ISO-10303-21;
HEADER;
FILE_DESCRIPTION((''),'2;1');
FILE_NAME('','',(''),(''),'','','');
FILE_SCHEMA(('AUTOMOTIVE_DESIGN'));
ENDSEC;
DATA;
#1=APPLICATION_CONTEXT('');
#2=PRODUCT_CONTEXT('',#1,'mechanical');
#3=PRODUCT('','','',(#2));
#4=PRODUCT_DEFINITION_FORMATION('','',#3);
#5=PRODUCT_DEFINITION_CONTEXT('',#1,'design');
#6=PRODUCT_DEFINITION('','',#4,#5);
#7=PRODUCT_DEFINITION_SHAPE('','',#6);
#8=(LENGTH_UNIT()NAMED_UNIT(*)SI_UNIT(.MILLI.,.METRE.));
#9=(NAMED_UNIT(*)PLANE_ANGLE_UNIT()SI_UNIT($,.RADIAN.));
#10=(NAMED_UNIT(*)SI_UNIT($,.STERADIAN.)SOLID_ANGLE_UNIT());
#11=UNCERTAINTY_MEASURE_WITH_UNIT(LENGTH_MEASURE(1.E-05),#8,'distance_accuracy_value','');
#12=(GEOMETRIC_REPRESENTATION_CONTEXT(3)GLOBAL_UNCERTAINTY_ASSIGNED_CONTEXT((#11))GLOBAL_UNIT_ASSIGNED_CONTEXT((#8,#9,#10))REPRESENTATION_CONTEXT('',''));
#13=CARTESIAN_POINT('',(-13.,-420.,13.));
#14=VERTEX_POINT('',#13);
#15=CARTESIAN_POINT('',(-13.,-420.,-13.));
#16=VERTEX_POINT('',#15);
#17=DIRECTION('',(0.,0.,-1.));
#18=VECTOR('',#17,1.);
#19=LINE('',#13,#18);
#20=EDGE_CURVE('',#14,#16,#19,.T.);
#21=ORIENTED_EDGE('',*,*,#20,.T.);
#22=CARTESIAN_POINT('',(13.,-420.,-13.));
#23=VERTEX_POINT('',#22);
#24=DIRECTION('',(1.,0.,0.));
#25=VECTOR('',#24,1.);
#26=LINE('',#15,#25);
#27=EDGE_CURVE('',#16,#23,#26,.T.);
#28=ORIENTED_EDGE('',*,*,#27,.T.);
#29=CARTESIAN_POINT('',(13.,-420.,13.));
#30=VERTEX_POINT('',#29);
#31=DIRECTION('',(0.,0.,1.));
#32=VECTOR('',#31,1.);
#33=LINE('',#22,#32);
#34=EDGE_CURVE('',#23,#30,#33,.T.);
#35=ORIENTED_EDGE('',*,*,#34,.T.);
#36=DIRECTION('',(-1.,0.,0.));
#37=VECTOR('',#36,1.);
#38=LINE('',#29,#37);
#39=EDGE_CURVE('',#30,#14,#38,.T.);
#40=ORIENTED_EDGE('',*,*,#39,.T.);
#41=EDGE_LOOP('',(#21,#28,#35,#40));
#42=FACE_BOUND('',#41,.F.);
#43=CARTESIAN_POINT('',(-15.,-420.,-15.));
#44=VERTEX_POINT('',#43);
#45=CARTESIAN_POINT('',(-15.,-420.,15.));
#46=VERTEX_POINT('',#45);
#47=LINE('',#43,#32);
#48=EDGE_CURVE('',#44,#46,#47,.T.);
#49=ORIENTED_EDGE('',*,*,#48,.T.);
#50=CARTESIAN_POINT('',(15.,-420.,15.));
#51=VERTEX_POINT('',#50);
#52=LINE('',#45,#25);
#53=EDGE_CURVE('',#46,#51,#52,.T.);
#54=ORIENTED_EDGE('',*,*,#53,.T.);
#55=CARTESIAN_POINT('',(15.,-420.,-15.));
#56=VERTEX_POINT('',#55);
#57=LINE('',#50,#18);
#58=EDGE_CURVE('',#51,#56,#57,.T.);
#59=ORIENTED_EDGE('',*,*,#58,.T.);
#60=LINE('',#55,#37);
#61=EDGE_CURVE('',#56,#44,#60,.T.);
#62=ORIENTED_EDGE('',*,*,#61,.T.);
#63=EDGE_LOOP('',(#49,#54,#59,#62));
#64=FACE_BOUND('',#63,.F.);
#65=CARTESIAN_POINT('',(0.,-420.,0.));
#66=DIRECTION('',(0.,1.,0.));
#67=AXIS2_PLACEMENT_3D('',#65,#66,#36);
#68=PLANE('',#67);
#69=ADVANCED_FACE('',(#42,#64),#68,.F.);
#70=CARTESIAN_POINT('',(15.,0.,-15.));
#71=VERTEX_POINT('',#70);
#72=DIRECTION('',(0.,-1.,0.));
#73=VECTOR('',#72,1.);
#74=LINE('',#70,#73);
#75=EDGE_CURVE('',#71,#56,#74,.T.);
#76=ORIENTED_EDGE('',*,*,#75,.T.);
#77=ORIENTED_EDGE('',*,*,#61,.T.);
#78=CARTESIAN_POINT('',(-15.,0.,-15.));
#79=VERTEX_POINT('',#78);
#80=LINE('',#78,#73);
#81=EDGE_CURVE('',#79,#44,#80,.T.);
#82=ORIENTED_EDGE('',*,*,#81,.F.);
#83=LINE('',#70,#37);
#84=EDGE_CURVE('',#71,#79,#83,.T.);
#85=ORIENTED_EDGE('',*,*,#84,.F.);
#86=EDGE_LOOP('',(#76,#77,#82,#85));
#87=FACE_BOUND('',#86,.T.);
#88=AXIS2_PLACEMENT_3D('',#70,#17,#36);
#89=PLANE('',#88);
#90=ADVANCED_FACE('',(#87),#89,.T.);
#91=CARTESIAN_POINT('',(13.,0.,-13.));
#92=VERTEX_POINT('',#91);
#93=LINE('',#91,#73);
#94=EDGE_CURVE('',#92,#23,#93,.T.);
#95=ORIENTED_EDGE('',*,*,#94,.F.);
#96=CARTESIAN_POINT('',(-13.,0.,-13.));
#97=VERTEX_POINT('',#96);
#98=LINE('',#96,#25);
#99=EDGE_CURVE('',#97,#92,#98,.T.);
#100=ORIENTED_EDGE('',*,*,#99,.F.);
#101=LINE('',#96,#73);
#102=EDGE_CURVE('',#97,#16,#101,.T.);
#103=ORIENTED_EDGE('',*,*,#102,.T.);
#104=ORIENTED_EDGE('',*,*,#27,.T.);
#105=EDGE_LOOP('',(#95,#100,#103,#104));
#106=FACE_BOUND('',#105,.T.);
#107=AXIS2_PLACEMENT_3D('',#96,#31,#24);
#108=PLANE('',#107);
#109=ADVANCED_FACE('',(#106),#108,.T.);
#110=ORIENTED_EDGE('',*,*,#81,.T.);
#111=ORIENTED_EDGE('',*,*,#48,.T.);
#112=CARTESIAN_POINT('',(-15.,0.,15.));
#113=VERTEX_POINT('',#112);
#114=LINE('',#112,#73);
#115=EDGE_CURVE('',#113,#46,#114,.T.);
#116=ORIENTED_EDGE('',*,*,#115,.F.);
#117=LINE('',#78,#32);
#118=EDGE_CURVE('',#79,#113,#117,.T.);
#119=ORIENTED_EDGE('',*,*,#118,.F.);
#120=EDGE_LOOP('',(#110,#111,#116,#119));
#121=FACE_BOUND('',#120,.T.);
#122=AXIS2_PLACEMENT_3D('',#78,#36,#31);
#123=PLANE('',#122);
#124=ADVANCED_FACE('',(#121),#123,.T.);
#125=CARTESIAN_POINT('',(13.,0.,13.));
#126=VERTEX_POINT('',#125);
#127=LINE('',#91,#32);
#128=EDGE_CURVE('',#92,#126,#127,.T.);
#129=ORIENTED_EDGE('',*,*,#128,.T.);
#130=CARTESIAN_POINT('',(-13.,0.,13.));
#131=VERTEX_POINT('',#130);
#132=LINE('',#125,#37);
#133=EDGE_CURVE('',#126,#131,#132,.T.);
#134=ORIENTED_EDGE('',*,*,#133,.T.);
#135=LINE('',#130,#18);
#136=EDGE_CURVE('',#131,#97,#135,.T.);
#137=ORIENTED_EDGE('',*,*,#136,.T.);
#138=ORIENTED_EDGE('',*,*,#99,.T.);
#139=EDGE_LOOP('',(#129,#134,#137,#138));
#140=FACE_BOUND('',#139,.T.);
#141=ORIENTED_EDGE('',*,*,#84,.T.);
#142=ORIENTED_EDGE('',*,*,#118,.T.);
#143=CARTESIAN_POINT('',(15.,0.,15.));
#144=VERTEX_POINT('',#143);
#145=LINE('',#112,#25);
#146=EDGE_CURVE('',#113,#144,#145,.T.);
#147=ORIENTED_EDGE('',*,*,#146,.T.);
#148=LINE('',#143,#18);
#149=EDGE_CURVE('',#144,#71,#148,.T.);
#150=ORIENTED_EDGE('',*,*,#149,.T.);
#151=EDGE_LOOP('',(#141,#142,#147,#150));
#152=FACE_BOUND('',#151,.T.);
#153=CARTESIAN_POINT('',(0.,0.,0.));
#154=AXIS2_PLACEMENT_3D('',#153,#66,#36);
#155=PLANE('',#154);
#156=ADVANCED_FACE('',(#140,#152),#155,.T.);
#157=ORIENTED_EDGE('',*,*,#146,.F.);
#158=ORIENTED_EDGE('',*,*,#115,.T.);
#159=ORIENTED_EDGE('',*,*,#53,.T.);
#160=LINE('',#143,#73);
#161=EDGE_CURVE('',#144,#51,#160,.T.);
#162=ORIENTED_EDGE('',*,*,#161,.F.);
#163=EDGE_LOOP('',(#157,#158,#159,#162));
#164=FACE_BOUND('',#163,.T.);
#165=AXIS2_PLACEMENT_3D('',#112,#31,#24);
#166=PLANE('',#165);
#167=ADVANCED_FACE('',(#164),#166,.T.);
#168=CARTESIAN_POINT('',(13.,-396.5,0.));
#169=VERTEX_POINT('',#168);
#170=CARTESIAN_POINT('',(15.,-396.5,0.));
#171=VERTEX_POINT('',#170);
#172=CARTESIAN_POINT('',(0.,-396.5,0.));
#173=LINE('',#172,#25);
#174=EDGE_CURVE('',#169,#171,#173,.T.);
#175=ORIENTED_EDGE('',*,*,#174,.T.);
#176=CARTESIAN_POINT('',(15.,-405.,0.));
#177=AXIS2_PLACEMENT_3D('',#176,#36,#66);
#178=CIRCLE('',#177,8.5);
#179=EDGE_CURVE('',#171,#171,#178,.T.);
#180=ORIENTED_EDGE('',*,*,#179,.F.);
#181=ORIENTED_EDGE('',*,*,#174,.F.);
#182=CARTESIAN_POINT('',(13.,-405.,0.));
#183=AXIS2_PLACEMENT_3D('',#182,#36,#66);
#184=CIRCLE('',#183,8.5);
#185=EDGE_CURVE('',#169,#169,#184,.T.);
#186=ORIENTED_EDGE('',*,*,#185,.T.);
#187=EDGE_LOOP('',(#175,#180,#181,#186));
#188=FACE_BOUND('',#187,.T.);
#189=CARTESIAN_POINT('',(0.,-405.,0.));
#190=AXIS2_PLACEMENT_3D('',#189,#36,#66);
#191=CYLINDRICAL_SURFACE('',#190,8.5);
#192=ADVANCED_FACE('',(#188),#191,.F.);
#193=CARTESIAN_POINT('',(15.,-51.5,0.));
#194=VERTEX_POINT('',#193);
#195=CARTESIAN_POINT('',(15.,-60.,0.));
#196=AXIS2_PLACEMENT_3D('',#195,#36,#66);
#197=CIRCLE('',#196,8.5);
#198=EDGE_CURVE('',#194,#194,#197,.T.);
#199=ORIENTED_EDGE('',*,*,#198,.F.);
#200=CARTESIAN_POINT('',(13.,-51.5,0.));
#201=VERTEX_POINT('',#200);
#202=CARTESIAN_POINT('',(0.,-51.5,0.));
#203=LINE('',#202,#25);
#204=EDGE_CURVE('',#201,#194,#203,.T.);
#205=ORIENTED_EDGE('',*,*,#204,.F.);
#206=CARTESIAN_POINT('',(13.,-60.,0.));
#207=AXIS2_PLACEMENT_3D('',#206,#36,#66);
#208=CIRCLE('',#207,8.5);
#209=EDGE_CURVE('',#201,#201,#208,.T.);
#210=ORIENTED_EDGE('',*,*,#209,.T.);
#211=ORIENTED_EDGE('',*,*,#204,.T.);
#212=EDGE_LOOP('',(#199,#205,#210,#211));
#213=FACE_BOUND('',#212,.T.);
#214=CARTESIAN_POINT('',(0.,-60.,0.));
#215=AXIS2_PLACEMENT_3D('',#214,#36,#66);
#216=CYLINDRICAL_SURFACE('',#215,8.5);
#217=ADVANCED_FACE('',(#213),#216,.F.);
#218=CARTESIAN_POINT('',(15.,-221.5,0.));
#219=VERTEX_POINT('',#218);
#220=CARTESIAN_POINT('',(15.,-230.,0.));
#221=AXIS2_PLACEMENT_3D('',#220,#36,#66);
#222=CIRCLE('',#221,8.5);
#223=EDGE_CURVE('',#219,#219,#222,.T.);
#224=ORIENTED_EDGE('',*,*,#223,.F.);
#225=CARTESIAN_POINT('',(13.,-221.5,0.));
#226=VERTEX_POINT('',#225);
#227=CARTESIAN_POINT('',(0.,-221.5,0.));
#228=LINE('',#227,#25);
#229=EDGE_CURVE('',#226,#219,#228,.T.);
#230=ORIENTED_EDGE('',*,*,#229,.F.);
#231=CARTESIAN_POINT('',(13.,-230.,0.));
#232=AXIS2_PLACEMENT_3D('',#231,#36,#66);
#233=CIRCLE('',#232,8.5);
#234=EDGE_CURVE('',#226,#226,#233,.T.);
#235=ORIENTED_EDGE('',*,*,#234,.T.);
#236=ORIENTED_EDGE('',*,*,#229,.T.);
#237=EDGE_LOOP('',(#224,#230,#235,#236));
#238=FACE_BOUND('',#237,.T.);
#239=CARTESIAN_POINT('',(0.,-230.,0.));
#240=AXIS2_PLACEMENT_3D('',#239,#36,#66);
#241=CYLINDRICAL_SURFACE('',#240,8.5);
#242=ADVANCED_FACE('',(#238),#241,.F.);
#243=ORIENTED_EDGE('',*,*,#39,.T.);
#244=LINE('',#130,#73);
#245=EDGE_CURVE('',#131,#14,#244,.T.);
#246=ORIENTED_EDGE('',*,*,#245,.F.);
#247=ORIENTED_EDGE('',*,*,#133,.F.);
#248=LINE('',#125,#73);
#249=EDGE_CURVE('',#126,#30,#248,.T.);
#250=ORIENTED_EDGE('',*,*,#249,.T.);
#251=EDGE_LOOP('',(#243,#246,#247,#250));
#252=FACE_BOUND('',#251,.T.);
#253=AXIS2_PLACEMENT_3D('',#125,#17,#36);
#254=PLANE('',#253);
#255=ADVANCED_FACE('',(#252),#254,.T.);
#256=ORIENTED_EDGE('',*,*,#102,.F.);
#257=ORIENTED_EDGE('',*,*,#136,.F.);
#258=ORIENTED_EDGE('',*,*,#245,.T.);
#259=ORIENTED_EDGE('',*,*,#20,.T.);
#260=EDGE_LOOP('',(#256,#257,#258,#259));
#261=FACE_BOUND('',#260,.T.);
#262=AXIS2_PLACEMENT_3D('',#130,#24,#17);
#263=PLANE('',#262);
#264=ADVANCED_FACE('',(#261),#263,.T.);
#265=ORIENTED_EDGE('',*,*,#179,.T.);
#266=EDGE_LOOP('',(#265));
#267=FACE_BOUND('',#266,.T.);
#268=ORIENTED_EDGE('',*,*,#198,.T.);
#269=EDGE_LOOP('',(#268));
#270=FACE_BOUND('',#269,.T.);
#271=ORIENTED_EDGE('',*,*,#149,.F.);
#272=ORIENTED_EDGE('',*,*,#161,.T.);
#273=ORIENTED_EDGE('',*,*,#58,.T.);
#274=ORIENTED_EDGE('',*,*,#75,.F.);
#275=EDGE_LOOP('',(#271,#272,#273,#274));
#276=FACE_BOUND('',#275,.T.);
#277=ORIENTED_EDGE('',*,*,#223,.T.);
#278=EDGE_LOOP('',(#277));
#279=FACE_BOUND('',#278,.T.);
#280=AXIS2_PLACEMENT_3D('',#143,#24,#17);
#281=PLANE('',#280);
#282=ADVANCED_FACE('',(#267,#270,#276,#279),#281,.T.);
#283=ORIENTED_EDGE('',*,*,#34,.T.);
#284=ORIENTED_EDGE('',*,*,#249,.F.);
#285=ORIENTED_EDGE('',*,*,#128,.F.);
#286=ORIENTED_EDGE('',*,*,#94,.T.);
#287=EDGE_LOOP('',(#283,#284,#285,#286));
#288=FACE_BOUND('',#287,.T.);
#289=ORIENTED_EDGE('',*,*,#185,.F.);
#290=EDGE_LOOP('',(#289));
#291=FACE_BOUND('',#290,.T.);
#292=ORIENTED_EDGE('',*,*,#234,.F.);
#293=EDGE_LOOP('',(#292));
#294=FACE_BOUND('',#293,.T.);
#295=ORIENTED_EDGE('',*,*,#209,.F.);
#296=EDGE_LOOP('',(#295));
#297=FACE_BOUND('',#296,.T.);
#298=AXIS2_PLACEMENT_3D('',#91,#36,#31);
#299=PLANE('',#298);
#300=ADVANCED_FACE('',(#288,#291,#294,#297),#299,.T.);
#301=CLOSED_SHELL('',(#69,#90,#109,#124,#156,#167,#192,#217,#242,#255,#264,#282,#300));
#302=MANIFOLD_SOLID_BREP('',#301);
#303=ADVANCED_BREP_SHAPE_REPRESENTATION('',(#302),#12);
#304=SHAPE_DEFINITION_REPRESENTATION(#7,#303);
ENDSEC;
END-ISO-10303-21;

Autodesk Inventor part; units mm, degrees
ref_plane "YZ Plane" through (0, 0, 0) normal (1, 0, 0) x (0, 1, 0)
ref_plane "XZ Plane" through (0, 0, 0) normal (0, 1, 0) x (-1, 0, 0)
ref_plane "XY Plane" through (0, 0, 0) normal (0, 0, 1) x (1, 0, 0)
sketch "Sketch9" plane through (0, 0, 0) normal (0, 1, 0) x (-1, 0, 0)
  line L0 (15, 15) -> (-15, 15)
  line L1 (-15, 15) -> (-15, -15)
  line L2 (-15, -15) -> (15, -15)
  line L3 (15, -15) -> (15, 15)
  line L4 (15, 15) -> (-15, -15) construction
  line L5 (-15, 15) -> (15, -15) construction
  line L6 (-13, 13) -> (13, 13)
  line L7 (13, 13) -> (13, -13)
  line L8 (13, -13) -> (-13, -13)
  line L9 (-13, -13) -> (-13, 13)
  point P0 (0, 0)
  dimension "d172" = 30
  dimension "d173" = 30
  dimension "d174" = 2
extrude "Extrusion3" add sketch "Sketch9" against normal blind 420
sketch "Sketch10" plane through (0, 0, 0) normal (1, 0, 0) x (0, 1, 0)
  line L0 (0, 15) -> (0, -15) construction
  line L1 (0, 15) -> (-420, 15) construction
  line L2 (-420, -15) -> (-420, 15) construction
  line L3 (0, -15) -> (-420, -15) construction
  line L4 (-68.5, 8.5) -> (-51.5, 8.5)
  line L5 (-51.5, 8.5) -> (-51.5, -8.5)
  line L6 (-51.5, -8.5) -> (-68.5, -8.5)
  line L7 (-68.5, -8.5) -> (-68.5, 8.5)
  line L8 (-68.5, 8.5) -> (-51.5, -8.5) construction
  line L9 (-51.5, 8.5) -> (-68.5, -8.5) construction
  line L10 (-238.5, 8.5) -> (-221.5, 8.5)
  line L11 (-221.5, 8.5) -> (-221.5, -8.5)
  line L12 (-221.5, -8.5) -> (-238.5, -8.5)
  line L13 (-238.5, -8.5) -> (-238.5, 8.5)
  line L14 (-238.5, 8.5) -> (-221.5, -8.5) construction
  line L15 (-221.5, 8.5) -> (-238.5, -8.5) construction
  line L16 (-413.5, 8.5) -> (-396.5, 8.5)
  line L17 (-396.5, 8.5) -> (-396.5, -8.5)
  line L18 (-396.5, -8.5) -> (-413.5, -8.5)
  line L19 (-413.5, -8.5) -> (-413.5, 8.5)
  line L20 (-413.5, 8.5) -> (-396.5, -8.5) construction
  line L21 (-396.5, 8.5) -> (-413.5, -8.5) construction
  circle A0 centre (-470, 0) radius 8.5
  line L22 (0, 0) -> (30, 0)
  circle A1 centre (-60, 0) radius 8.5
  circle A2 centre (-230, 0) radius 8.5
  circle A3 centre (-405, 0) radius 8.5
  dimension "d177" = 17
  dimension "d178" = 17
  dimension "d181" = 30
  dimension "d182" = 90
  dimension "d183" = 260
  dimension "d184" = 435
  dimension "d185" = 500
  dimension "d186" = 17
extrude "Extrusion4" cut sketch "Sketch10" along normal through all contours A1 | A2 | A3
properties part number "TZS 1752 FDS 940 way tube 2" material "Stainless Steel"
